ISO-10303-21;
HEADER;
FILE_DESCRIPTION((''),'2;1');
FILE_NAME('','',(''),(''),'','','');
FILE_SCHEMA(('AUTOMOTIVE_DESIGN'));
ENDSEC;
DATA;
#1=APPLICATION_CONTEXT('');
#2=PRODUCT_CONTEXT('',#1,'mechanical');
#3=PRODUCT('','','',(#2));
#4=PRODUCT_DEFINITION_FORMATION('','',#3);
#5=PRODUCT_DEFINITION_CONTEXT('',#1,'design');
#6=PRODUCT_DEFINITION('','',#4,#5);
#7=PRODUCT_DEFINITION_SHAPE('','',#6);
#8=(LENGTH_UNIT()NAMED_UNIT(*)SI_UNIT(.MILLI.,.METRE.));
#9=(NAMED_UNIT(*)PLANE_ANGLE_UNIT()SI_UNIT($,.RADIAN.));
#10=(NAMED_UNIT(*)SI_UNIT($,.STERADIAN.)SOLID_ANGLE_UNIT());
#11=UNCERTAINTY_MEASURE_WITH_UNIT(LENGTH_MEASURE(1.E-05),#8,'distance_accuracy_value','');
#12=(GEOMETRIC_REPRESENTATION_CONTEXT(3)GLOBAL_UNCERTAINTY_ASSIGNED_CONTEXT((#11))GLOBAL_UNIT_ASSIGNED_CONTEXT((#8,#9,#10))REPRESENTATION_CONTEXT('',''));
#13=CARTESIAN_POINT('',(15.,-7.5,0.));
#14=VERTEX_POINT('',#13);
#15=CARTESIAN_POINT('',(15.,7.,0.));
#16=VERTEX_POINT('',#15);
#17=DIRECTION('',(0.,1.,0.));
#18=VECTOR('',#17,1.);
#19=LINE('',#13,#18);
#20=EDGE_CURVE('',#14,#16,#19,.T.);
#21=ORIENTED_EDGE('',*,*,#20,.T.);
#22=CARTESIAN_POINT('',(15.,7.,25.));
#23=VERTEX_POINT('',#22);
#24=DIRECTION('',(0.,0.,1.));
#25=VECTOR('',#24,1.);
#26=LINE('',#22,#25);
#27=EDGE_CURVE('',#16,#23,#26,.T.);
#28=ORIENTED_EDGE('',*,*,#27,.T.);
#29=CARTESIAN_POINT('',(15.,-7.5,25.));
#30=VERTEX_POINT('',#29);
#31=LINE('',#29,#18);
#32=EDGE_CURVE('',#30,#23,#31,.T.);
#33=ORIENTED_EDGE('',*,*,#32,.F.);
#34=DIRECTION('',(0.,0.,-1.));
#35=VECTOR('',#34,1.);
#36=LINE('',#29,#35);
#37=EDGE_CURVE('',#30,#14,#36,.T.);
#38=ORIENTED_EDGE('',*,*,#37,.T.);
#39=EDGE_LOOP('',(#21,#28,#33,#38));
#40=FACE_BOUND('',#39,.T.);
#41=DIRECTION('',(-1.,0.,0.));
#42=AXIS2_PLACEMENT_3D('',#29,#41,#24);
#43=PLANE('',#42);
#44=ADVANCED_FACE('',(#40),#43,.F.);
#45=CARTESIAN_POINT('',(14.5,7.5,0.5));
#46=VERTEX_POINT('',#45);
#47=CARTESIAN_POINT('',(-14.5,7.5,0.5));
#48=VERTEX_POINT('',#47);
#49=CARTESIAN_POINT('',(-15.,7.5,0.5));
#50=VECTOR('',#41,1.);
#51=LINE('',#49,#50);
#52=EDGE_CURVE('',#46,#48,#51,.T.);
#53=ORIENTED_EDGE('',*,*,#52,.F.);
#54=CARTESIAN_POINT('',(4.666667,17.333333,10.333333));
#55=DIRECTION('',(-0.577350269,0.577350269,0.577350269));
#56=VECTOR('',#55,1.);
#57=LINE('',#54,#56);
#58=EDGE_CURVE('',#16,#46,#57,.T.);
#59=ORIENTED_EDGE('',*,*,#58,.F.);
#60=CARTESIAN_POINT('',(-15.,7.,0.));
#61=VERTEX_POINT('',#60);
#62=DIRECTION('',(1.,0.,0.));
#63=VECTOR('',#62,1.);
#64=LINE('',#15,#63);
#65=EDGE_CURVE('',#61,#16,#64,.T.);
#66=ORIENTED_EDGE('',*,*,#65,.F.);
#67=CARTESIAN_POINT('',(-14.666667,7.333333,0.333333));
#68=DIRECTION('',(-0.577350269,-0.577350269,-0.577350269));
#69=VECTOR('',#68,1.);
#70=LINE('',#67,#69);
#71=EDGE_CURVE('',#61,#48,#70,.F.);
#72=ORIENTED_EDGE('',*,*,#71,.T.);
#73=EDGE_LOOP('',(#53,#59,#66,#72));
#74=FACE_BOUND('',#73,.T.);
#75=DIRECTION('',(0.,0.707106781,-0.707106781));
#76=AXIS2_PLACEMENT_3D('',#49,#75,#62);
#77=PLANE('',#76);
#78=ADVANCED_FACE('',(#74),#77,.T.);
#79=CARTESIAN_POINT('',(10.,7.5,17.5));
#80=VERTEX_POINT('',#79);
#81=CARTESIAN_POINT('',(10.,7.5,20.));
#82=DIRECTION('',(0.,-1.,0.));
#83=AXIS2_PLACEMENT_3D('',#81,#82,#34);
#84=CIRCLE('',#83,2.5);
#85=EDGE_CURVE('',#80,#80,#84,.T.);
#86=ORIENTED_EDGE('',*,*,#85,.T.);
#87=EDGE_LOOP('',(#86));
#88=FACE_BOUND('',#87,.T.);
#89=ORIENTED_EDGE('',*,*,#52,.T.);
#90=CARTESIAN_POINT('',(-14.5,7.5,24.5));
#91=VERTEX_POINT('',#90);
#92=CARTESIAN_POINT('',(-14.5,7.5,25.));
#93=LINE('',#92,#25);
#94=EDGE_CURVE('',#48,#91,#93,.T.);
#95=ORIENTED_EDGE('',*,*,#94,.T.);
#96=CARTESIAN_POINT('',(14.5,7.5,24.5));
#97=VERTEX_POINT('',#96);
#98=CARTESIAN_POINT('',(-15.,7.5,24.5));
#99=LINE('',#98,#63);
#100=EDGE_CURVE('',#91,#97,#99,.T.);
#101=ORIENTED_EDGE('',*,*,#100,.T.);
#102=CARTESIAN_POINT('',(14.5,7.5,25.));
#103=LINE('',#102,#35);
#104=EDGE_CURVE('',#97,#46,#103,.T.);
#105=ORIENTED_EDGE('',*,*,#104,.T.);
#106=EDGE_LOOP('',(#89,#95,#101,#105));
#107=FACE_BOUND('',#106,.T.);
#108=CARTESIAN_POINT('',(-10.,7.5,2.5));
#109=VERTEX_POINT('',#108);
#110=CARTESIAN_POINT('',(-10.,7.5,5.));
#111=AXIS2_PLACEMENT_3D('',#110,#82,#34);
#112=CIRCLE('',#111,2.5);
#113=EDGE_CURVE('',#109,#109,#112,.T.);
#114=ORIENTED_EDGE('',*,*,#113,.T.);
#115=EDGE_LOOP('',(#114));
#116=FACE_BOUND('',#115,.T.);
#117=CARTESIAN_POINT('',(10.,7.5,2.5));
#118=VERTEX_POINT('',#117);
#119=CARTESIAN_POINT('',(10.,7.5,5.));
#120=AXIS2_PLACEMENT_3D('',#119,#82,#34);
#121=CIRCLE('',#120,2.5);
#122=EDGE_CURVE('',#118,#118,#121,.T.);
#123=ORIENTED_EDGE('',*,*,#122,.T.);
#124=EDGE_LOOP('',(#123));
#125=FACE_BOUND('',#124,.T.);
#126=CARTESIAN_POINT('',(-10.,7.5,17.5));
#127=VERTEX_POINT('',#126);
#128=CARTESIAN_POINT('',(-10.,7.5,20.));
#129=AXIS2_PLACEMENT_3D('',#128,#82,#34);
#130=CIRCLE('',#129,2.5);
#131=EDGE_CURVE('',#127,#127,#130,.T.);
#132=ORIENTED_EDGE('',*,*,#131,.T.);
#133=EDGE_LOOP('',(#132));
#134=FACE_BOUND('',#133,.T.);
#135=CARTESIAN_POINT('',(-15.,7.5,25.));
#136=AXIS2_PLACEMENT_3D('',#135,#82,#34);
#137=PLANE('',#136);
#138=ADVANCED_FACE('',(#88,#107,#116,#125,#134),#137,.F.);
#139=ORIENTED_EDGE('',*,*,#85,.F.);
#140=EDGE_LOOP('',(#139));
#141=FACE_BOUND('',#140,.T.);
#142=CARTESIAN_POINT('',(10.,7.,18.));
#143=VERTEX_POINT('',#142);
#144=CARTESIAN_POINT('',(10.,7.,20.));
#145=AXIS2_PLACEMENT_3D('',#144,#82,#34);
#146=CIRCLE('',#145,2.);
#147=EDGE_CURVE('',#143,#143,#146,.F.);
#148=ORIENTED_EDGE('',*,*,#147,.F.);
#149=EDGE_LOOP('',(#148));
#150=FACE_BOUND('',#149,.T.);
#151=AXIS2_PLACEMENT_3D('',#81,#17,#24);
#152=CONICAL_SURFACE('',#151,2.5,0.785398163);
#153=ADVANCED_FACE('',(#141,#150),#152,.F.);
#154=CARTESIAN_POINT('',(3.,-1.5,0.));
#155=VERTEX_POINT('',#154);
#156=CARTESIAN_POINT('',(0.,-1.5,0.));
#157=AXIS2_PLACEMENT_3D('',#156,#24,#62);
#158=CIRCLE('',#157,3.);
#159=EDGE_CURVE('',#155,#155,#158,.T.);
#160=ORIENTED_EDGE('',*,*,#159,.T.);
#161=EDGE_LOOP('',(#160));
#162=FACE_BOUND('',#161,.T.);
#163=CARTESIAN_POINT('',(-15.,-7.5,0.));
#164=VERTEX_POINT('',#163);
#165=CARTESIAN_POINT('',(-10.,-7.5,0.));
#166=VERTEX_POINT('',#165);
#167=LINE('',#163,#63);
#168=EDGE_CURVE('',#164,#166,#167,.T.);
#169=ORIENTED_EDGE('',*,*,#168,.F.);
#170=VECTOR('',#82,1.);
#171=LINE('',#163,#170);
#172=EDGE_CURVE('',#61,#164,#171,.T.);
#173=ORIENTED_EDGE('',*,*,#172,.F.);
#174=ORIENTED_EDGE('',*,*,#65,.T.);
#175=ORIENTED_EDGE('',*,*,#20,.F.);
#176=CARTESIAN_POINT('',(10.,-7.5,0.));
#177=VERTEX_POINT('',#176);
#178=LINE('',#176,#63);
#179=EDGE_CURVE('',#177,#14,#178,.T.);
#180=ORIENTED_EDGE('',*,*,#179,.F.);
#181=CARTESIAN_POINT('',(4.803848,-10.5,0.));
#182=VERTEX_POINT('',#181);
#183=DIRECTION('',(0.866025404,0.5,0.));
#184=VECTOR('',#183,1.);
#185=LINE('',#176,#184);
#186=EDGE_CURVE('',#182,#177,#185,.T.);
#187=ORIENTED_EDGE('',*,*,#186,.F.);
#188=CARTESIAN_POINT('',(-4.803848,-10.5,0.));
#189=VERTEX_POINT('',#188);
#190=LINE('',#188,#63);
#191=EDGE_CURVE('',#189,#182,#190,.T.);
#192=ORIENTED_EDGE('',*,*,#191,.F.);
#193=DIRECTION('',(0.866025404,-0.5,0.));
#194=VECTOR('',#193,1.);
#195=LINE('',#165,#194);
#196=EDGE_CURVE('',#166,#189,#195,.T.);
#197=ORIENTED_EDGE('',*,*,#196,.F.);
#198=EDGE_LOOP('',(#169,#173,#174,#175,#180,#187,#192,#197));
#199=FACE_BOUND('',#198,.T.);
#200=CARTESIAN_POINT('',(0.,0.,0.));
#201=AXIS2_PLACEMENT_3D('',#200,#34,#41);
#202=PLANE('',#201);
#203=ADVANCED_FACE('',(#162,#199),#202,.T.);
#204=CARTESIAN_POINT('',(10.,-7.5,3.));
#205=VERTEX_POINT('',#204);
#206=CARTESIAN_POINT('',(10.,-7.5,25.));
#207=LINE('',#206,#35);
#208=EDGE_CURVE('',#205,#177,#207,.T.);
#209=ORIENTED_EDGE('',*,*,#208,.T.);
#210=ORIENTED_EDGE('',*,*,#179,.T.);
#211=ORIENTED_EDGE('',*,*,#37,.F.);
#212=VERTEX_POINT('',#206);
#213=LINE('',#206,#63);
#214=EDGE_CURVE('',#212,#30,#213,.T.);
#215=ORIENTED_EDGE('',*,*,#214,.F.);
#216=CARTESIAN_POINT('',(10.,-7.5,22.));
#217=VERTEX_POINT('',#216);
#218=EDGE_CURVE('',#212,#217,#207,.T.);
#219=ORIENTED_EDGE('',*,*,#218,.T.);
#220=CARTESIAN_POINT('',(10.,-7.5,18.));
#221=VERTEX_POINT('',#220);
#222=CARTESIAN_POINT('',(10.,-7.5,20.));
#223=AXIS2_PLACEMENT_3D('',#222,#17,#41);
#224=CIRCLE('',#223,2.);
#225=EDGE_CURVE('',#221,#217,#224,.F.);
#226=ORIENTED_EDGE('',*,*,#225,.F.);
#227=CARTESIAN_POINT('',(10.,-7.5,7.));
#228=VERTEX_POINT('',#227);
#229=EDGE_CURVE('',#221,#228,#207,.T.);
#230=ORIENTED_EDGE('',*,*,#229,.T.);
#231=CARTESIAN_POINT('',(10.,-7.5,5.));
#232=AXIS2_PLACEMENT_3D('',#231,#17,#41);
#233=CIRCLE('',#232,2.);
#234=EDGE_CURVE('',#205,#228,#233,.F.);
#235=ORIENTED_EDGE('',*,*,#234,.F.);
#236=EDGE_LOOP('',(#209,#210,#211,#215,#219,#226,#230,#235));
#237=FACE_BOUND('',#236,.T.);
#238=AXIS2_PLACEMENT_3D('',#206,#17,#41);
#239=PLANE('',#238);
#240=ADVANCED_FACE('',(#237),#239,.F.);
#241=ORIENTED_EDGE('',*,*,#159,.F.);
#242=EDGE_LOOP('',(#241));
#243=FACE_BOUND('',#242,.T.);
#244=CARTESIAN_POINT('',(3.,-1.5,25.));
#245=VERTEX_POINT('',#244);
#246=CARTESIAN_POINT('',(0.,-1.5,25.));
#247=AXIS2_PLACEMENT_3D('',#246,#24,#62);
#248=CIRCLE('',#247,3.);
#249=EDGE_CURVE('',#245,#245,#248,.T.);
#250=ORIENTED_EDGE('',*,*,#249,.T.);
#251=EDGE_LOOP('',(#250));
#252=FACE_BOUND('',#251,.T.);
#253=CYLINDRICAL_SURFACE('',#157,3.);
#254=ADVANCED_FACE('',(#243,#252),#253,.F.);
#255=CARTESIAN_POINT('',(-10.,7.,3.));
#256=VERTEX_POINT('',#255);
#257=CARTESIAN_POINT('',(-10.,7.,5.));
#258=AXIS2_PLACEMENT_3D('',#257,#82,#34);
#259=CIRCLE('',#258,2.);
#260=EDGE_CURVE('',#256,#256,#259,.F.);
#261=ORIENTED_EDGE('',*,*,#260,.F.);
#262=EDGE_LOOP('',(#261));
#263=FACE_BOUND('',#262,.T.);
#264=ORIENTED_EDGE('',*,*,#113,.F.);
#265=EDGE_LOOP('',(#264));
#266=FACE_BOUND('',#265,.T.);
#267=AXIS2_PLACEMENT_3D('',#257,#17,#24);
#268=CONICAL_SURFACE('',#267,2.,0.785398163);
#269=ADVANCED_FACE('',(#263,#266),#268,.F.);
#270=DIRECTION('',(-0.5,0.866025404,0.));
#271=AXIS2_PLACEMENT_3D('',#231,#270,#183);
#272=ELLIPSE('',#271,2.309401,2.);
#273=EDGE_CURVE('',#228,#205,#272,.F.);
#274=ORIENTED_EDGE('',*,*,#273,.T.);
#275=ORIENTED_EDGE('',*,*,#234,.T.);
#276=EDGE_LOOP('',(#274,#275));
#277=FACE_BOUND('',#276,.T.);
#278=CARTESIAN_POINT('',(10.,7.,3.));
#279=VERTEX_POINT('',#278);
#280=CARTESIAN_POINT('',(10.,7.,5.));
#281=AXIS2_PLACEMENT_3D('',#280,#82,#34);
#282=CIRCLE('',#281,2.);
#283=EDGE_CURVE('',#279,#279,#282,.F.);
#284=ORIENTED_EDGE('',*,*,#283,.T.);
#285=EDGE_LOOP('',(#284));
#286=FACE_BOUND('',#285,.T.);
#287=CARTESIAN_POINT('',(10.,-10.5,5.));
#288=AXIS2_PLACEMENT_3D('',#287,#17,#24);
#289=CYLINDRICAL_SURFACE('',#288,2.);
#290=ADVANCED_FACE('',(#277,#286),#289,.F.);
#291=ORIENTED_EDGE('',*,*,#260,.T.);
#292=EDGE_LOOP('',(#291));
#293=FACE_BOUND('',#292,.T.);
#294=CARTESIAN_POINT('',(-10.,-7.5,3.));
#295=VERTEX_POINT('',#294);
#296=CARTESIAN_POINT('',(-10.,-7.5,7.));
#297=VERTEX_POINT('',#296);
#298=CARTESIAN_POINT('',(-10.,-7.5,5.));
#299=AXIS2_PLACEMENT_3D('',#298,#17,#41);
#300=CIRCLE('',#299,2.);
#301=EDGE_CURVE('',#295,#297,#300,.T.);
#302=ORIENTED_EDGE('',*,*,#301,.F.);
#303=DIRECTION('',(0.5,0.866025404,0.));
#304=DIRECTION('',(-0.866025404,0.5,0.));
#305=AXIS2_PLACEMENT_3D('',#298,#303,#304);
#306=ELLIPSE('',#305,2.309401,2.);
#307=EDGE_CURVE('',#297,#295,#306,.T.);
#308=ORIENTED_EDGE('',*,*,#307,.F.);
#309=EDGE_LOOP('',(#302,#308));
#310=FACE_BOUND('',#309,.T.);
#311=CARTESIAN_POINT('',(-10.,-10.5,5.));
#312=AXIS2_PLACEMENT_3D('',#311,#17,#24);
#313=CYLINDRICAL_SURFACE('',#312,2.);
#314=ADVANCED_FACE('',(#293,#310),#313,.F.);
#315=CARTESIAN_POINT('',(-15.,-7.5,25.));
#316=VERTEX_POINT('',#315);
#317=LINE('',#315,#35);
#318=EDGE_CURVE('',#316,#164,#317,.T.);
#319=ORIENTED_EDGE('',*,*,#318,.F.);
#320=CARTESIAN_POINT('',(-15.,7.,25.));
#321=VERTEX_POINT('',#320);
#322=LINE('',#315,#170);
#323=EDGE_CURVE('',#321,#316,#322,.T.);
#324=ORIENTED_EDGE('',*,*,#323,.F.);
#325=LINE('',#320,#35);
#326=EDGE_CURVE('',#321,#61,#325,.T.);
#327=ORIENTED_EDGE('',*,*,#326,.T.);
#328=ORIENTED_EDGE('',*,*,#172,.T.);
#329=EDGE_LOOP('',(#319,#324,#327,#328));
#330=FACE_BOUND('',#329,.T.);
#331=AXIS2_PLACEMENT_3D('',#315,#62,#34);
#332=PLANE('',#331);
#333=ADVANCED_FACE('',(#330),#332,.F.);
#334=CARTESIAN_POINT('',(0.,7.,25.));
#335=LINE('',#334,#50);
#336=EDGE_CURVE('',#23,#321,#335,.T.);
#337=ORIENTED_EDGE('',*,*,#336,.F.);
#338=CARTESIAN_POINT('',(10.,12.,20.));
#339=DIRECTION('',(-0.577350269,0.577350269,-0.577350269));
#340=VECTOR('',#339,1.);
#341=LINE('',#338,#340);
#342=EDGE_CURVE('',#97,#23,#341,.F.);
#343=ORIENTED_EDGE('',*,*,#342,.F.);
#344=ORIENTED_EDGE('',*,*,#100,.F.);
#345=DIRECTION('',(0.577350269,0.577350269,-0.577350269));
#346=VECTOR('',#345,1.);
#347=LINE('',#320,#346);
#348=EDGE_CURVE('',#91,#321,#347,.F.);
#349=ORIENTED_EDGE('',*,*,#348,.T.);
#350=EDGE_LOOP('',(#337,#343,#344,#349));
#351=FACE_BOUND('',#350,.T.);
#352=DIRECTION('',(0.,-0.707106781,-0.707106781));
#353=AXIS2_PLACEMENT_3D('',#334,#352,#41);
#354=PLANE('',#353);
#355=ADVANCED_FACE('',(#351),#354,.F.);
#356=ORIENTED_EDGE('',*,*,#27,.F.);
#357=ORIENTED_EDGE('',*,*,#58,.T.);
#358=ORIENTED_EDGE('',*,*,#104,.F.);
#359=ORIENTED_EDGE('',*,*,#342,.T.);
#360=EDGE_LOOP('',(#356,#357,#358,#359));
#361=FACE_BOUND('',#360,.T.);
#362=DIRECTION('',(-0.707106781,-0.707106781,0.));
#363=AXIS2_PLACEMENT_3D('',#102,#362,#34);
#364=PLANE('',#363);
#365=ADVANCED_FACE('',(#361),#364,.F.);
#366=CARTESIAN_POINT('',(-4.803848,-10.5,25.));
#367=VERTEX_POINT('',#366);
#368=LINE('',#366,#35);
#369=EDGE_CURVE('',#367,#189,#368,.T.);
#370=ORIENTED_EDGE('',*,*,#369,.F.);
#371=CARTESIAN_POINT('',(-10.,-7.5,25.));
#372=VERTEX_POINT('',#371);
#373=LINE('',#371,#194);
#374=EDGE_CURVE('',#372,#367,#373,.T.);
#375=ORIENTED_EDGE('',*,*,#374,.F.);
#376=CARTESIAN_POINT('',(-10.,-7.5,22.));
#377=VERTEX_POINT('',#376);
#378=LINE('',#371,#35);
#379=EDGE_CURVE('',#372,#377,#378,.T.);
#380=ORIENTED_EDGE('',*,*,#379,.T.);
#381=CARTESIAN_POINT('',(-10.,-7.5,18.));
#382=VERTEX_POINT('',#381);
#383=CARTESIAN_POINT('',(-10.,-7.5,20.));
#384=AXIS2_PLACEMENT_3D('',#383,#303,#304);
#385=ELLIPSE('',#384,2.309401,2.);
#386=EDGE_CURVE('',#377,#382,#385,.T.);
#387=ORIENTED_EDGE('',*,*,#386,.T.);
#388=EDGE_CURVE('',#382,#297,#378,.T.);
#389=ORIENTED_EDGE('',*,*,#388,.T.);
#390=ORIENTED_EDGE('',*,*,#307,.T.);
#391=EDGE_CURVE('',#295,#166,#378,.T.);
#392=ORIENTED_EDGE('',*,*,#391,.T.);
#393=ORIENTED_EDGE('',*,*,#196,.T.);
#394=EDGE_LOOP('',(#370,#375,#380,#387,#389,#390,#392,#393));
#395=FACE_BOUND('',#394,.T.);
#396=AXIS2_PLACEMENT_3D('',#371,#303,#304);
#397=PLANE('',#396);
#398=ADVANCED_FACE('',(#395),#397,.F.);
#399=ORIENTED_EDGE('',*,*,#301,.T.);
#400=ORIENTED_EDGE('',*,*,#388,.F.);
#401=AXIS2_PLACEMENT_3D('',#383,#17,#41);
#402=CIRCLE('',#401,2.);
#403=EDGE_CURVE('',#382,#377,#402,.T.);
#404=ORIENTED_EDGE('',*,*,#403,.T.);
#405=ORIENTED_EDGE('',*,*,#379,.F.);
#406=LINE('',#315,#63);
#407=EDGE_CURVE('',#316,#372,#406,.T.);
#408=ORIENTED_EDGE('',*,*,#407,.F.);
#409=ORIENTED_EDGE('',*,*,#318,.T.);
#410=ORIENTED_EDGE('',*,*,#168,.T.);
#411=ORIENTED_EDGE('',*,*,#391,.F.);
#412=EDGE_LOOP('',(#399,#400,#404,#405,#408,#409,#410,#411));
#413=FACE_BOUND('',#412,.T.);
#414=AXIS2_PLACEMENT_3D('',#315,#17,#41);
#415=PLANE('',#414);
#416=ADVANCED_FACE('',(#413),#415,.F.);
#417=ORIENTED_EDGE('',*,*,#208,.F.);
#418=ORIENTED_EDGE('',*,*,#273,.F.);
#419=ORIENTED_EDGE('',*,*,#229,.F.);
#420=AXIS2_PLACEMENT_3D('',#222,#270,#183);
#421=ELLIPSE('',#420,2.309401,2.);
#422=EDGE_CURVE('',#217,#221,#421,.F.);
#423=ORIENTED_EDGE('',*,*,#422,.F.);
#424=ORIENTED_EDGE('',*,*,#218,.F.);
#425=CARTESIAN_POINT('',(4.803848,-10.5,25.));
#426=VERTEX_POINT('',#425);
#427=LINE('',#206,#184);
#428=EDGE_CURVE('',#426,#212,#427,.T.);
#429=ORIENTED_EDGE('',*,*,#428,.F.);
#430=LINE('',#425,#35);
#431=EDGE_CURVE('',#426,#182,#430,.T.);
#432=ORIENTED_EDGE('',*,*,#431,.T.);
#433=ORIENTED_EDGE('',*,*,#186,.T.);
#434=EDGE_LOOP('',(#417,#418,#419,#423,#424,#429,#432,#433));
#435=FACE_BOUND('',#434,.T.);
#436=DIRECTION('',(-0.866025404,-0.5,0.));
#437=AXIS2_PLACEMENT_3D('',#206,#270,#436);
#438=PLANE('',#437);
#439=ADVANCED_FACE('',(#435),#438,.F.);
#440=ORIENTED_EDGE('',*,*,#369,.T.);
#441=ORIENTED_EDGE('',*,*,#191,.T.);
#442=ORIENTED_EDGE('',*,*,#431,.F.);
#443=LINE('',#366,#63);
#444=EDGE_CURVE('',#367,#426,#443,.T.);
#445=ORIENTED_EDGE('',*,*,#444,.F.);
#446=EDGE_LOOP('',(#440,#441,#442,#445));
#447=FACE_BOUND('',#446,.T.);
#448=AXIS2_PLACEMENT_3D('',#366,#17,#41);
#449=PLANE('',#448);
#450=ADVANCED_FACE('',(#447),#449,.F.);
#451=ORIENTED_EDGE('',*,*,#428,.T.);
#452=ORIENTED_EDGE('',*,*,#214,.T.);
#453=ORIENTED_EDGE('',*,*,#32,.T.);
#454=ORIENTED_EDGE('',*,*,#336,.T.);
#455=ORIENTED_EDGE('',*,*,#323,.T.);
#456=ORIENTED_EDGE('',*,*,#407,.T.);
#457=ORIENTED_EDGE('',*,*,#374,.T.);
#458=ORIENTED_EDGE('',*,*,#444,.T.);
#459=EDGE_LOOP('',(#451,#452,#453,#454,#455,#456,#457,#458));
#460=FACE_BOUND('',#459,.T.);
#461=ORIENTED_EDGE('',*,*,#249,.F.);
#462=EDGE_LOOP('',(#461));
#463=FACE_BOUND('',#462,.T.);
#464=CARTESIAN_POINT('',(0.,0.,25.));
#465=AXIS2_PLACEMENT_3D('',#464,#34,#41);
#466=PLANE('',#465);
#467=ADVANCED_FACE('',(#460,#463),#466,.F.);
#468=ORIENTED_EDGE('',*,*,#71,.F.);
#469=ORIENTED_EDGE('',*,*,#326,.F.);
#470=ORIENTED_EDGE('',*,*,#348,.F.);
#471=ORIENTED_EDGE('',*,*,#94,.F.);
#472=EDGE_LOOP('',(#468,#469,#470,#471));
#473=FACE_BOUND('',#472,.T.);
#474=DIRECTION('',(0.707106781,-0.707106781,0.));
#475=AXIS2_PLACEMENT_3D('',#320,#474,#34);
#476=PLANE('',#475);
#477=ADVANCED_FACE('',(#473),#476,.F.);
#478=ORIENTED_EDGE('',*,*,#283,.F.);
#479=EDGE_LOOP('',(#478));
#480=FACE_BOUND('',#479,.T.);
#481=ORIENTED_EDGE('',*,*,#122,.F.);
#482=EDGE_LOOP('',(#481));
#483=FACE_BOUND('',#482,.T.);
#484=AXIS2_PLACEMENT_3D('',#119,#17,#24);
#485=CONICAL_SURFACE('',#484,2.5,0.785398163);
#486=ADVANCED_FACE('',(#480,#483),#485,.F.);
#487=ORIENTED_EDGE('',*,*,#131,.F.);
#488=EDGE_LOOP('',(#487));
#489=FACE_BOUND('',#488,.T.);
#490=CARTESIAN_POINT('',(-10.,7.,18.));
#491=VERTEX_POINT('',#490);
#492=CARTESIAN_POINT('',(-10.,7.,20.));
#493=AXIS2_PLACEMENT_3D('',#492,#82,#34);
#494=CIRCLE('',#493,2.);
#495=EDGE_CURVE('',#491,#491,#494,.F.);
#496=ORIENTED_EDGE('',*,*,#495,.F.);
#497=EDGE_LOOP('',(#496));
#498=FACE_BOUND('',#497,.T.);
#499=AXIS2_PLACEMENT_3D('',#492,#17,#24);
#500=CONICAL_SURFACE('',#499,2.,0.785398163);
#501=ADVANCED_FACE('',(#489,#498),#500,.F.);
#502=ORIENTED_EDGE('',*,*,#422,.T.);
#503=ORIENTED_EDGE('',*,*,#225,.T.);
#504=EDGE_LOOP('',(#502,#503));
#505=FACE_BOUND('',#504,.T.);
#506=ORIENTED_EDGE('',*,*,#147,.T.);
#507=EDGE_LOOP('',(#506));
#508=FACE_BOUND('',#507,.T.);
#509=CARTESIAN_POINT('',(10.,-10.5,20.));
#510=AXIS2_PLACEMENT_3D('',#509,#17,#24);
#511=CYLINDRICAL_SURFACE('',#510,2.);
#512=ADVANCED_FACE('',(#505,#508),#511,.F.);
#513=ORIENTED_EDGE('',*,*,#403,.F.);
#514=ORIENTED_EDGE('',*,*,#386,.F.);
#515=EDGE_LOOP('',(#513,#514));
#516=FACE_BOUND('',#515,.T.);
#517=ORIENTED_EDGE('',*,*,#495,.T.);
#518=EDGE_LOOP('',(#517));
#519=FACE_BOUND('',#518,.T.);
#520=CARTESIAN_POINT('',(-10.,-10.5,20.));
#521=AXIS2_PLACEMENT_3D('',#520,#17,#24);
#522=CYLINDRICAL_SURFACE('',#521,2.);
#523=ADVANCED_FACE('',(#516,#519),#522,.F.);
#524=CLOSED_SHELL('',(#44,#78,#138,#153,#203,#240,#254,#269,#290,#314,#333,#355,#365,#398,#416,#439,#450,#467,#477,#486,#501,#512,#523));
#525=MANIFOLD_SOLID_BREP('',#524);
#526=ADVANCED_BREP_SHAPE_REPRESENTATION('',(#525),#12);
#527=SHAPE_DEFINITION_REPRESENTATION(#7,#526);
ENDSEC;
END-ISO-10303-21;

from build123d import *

# Parameters (mm, degrees)
EXTRUDE_1_DEPTH     = 25
SKETCH_2_R          = 2
CUT_EXTRUDE_1_DEPTH = 35.263683398
SKETCH_3_R          = 3
CUT_EXTRUDE_2_DEPTH = 31.987900865
CHAMFER_1_SIZE      = 0.5


with BuildPart() as part:
    # 스케치1 → 보스-돌출1 (new body)
    with BuildSketch(Plane.XY):
        Polygon((-15, -7.5), (-10, -7.5), (-4.803847577, -10.5), (4.803847577, -10.5), (10, -7.5), (15, -7.5), (15, 7.5), (-15, 7.5), align=None)
    extrude(amount=EXTRUDE_1_DEPTH)

    # 스케치2 → 컷-돌출1 (cut, through all)
    with BuildSketch(Plane(origin=(0, 7.5, 0), x_dir=(1, 0, 0), z_dir=(0, 1, 0))):
        with Locations(Location((-10, -5, 0), (0, 0, 270))):
            Circle(SKETCH_2_R)
        with Locations(Location((-10, -20, 0), (0, 0, 270))):
            Circle(SKETCH_2_R)
        with Locations(Location((10, -20, 0), (0, 0, 270))):
            Circle(SKETCH_2_R)
        with Locations(Location((10, -5, 0), (0, 0, 270))):
            Circle(SKETCH_2_R)
    extrude(amount=-CUT_EXTRUDE_1_DEPTH, mode=Mode.SUBTRACT)

    # 스케치3 → 컷-돌출2 (cut, through all)
    with BuildSketch(Plane.XY.offset(25)):
        with Locations((0, -1.5)):
            Circle(SKETCH_3_R)
    extrude(amount=-CUT_EXTRUDE_2_DEPTH, mode=Mode.SUBTRACT)

    # 모따기1
    chamfer_1_edges = [part.edges().sort_by_distance(p)[0] for p in [
        (0, 7.5, 0),
        (-15, 7.5, 12.5),
        (15, 7.5, 12.5),
        (-10, 7.5, 3),
        (-10, 7.5, 18),
        (10, 7.5, 18),
        (10, 7.5, 3),
        (0, 7.5, 25),
    ]]
    chamfer(chamfer_1_edges, length=CHAMFER_1_SIZE)


solid = part.part
